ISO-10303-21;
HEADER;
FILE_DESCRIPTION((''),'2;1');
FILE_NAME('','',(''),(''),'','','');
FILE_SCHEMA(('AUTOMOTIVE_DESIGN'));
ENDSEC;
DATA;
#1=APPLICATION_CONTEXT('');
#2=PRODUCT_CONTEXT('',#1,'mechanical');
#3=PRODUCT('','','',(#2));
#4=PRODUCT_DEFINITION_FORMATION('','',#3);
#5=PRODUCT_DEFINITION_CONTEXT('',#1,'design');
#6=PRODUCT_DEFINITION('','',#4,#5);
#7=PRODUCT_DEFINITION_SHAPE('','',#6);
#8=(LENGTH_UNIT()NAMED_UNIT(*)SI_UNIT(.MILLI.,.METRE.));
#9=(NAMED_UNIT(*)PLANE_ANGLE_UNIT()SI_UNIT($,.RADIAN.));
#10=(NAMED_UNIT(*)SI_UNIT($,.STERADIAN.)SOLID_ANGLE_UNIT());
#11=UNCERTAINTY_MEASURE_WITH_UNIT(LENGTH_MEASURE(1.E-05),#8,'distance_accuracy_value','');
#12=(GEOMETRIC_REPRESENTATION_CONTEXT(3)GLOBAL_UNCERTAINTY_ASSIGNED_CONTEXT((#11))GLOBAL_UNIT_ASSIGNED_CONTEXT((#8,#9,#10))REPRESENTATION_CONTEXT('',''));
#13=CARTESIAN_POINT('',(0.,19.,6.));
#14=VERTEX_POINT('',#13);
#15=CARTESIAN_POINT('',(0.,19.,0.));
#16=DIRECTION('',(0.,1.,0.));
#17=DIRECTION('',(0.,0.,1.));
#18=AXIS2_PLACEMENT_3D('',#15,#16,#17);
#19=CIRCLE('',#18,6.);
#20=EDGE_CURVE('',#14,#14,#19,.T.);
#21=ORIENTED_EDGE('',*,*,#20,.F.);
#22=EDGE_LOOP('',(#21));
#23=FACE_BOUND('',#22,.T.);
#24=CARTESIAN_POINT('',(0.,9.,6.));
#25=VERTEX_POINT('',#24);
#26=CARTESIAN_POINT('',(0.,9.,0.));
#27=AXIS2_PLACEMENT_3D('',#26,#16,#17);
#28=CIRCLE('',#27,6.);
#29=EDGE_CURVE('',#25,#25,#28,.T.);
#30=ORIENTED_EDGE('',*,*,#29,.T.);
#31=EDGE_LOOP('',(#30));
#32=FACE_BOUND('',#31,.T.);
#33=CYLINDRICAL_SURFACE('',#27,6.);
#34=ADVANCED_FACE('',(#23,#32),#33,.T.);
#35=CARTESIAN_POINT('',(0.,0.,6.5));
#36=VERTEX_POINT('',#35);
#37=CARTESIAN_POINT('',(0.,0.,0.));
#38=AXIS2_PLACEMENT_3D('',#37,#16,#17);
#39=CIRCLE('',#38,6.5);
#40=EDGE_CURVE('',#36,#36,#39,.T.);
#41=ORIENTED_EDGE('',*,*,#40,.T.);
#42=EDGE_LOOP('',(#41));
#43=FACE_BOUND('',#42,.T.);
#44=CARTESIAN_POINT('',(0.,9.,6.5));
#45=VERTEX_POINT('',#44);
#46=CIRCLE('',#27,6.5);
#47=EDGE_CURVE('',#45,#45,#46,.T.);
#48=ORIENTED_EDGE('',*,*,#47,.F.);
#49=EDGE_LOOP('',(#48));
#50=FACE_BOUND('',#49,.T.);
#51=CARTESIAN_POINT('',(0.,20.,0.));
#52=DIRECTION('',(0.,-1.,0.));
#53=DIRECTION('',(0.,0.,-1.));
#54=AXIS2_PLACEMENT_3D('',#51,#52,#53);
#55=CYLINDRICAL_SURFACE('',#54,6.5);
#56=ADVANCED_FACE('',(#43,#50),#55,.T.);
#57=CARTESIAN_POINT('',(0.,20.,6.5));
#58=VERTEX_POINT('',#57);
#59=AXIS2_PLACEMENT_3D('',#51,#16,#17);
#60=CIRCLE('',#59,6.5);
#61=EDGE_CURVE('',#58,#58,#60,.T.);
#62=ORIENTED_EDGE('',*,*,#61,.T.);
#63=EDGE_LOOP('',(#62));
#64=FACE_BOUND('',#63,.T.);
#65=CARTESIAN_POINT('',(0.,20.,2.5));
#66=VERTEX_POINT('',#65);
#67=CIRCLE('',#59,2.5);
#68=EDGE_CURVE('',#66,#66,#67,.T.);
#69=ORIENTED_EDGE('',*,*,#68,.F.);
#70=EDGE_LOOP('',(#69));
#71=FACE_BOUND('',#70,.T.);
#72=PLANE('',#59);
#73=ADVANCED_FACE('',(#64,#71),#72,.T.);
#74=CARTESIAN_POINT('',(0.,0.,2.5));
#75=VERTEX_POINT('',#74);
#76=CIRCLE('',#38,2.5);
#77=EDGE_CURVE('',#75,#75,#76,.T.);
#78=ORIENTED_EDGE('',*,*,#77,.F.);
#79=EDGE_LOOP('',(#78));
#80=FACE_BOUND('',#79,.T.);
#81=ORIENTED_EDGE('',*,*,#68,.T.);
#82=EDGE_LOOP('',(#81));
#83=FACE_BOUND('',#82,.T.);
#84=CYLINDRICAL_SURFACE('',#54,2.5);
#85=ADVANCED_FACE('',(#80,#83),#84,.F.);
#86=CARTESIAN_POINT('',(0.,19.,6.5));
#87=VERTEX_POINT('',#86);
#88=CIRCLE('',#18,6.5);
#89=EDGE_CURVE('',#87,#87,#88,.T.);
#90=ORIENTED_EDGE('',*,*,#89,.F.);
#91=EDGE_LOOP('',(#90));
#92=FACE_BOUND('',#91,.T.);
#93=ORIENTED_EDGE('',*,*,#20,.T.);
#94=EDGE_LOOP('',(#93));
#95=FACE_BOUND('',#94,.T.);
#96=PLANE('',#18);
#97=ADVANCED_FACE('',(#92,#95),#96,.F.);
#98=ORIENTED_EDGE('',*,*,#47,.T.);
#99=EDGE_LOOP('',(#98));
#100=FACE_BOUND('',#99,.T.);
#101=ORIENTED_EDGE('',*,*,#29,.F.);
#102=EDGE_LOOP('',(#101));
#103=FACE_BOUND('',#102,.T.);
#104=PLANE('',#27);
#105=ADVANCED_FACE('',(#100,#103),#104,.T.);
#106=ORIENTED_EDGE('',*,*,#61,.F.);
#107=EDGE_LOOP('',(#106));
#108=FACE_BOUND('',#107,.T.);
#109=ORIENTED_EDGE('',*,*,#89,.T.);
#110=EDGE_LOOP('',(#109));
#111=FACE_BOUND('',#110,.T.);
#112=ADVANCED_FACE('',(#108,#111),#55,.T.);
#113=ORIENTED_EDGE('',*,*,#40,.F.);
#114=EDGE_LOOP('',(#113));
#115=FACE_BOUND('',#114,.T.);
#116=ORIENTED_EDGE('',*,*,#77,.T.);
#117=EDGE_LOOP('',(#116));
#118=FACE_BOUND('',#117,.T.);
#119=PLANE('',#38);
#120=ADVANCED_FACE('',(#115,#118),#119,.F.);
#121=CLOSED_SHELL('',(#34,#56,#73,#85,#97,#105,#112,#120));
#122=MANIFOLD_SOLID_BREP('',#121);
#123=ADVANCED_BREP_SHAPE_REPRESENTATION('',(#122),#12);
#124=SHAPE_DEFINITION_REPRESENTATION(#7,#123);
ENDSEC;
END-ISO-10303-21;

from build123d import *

# Parameters (mm, degrees)
SKETCH1_R           = 6.5
SKETCH1_R_2         = 2.5
BOSS_EXTRUDE1_DEPTH = 20
SKETCH2_R           = 6.793151268
SKETCH2_R_2         = 6
CUT_EXTRUDE1_DEPTH  = 10


with BuildPart() as part:
    # Sketch1 → Boss-Extrude1 (new body)
    with BuildSketch(Plane(origin=(0, 0, 0), x_dir=(1, 0, 0), z_dir=(0, 1, 0))):
        with Locations(Location((0, 0, 0), (0, 0, 270))):
            Circle(SKETCH1_R)
        with Locations(Location((0, 0, 0), (0, 0, 270))):
            Circle(SKETCH1_R_2, mode=Mode.SUBTRACT)
    extrude(amount=BOSS_EXTRUDE1_DEPTH)

    # Sketch2 → Cut-Extrude1 (cut)
    with BuildSketch(Plane(origin=(0, 19, 0), x_dir=(1, 0, 0), z_dir=(0, 1, 0))):
        Circle(SKETCH2_R)
        with Locations(Location((0, 0, 0), (0, 0, 270))):
            Circle(SKETCH2_R_2, mode=Mode.SUBTRACT)
    extrude(amount=-CUT_EXTRUDE1_DEPTH, mode=Mode.SUBTRACT)


solid = part.part
